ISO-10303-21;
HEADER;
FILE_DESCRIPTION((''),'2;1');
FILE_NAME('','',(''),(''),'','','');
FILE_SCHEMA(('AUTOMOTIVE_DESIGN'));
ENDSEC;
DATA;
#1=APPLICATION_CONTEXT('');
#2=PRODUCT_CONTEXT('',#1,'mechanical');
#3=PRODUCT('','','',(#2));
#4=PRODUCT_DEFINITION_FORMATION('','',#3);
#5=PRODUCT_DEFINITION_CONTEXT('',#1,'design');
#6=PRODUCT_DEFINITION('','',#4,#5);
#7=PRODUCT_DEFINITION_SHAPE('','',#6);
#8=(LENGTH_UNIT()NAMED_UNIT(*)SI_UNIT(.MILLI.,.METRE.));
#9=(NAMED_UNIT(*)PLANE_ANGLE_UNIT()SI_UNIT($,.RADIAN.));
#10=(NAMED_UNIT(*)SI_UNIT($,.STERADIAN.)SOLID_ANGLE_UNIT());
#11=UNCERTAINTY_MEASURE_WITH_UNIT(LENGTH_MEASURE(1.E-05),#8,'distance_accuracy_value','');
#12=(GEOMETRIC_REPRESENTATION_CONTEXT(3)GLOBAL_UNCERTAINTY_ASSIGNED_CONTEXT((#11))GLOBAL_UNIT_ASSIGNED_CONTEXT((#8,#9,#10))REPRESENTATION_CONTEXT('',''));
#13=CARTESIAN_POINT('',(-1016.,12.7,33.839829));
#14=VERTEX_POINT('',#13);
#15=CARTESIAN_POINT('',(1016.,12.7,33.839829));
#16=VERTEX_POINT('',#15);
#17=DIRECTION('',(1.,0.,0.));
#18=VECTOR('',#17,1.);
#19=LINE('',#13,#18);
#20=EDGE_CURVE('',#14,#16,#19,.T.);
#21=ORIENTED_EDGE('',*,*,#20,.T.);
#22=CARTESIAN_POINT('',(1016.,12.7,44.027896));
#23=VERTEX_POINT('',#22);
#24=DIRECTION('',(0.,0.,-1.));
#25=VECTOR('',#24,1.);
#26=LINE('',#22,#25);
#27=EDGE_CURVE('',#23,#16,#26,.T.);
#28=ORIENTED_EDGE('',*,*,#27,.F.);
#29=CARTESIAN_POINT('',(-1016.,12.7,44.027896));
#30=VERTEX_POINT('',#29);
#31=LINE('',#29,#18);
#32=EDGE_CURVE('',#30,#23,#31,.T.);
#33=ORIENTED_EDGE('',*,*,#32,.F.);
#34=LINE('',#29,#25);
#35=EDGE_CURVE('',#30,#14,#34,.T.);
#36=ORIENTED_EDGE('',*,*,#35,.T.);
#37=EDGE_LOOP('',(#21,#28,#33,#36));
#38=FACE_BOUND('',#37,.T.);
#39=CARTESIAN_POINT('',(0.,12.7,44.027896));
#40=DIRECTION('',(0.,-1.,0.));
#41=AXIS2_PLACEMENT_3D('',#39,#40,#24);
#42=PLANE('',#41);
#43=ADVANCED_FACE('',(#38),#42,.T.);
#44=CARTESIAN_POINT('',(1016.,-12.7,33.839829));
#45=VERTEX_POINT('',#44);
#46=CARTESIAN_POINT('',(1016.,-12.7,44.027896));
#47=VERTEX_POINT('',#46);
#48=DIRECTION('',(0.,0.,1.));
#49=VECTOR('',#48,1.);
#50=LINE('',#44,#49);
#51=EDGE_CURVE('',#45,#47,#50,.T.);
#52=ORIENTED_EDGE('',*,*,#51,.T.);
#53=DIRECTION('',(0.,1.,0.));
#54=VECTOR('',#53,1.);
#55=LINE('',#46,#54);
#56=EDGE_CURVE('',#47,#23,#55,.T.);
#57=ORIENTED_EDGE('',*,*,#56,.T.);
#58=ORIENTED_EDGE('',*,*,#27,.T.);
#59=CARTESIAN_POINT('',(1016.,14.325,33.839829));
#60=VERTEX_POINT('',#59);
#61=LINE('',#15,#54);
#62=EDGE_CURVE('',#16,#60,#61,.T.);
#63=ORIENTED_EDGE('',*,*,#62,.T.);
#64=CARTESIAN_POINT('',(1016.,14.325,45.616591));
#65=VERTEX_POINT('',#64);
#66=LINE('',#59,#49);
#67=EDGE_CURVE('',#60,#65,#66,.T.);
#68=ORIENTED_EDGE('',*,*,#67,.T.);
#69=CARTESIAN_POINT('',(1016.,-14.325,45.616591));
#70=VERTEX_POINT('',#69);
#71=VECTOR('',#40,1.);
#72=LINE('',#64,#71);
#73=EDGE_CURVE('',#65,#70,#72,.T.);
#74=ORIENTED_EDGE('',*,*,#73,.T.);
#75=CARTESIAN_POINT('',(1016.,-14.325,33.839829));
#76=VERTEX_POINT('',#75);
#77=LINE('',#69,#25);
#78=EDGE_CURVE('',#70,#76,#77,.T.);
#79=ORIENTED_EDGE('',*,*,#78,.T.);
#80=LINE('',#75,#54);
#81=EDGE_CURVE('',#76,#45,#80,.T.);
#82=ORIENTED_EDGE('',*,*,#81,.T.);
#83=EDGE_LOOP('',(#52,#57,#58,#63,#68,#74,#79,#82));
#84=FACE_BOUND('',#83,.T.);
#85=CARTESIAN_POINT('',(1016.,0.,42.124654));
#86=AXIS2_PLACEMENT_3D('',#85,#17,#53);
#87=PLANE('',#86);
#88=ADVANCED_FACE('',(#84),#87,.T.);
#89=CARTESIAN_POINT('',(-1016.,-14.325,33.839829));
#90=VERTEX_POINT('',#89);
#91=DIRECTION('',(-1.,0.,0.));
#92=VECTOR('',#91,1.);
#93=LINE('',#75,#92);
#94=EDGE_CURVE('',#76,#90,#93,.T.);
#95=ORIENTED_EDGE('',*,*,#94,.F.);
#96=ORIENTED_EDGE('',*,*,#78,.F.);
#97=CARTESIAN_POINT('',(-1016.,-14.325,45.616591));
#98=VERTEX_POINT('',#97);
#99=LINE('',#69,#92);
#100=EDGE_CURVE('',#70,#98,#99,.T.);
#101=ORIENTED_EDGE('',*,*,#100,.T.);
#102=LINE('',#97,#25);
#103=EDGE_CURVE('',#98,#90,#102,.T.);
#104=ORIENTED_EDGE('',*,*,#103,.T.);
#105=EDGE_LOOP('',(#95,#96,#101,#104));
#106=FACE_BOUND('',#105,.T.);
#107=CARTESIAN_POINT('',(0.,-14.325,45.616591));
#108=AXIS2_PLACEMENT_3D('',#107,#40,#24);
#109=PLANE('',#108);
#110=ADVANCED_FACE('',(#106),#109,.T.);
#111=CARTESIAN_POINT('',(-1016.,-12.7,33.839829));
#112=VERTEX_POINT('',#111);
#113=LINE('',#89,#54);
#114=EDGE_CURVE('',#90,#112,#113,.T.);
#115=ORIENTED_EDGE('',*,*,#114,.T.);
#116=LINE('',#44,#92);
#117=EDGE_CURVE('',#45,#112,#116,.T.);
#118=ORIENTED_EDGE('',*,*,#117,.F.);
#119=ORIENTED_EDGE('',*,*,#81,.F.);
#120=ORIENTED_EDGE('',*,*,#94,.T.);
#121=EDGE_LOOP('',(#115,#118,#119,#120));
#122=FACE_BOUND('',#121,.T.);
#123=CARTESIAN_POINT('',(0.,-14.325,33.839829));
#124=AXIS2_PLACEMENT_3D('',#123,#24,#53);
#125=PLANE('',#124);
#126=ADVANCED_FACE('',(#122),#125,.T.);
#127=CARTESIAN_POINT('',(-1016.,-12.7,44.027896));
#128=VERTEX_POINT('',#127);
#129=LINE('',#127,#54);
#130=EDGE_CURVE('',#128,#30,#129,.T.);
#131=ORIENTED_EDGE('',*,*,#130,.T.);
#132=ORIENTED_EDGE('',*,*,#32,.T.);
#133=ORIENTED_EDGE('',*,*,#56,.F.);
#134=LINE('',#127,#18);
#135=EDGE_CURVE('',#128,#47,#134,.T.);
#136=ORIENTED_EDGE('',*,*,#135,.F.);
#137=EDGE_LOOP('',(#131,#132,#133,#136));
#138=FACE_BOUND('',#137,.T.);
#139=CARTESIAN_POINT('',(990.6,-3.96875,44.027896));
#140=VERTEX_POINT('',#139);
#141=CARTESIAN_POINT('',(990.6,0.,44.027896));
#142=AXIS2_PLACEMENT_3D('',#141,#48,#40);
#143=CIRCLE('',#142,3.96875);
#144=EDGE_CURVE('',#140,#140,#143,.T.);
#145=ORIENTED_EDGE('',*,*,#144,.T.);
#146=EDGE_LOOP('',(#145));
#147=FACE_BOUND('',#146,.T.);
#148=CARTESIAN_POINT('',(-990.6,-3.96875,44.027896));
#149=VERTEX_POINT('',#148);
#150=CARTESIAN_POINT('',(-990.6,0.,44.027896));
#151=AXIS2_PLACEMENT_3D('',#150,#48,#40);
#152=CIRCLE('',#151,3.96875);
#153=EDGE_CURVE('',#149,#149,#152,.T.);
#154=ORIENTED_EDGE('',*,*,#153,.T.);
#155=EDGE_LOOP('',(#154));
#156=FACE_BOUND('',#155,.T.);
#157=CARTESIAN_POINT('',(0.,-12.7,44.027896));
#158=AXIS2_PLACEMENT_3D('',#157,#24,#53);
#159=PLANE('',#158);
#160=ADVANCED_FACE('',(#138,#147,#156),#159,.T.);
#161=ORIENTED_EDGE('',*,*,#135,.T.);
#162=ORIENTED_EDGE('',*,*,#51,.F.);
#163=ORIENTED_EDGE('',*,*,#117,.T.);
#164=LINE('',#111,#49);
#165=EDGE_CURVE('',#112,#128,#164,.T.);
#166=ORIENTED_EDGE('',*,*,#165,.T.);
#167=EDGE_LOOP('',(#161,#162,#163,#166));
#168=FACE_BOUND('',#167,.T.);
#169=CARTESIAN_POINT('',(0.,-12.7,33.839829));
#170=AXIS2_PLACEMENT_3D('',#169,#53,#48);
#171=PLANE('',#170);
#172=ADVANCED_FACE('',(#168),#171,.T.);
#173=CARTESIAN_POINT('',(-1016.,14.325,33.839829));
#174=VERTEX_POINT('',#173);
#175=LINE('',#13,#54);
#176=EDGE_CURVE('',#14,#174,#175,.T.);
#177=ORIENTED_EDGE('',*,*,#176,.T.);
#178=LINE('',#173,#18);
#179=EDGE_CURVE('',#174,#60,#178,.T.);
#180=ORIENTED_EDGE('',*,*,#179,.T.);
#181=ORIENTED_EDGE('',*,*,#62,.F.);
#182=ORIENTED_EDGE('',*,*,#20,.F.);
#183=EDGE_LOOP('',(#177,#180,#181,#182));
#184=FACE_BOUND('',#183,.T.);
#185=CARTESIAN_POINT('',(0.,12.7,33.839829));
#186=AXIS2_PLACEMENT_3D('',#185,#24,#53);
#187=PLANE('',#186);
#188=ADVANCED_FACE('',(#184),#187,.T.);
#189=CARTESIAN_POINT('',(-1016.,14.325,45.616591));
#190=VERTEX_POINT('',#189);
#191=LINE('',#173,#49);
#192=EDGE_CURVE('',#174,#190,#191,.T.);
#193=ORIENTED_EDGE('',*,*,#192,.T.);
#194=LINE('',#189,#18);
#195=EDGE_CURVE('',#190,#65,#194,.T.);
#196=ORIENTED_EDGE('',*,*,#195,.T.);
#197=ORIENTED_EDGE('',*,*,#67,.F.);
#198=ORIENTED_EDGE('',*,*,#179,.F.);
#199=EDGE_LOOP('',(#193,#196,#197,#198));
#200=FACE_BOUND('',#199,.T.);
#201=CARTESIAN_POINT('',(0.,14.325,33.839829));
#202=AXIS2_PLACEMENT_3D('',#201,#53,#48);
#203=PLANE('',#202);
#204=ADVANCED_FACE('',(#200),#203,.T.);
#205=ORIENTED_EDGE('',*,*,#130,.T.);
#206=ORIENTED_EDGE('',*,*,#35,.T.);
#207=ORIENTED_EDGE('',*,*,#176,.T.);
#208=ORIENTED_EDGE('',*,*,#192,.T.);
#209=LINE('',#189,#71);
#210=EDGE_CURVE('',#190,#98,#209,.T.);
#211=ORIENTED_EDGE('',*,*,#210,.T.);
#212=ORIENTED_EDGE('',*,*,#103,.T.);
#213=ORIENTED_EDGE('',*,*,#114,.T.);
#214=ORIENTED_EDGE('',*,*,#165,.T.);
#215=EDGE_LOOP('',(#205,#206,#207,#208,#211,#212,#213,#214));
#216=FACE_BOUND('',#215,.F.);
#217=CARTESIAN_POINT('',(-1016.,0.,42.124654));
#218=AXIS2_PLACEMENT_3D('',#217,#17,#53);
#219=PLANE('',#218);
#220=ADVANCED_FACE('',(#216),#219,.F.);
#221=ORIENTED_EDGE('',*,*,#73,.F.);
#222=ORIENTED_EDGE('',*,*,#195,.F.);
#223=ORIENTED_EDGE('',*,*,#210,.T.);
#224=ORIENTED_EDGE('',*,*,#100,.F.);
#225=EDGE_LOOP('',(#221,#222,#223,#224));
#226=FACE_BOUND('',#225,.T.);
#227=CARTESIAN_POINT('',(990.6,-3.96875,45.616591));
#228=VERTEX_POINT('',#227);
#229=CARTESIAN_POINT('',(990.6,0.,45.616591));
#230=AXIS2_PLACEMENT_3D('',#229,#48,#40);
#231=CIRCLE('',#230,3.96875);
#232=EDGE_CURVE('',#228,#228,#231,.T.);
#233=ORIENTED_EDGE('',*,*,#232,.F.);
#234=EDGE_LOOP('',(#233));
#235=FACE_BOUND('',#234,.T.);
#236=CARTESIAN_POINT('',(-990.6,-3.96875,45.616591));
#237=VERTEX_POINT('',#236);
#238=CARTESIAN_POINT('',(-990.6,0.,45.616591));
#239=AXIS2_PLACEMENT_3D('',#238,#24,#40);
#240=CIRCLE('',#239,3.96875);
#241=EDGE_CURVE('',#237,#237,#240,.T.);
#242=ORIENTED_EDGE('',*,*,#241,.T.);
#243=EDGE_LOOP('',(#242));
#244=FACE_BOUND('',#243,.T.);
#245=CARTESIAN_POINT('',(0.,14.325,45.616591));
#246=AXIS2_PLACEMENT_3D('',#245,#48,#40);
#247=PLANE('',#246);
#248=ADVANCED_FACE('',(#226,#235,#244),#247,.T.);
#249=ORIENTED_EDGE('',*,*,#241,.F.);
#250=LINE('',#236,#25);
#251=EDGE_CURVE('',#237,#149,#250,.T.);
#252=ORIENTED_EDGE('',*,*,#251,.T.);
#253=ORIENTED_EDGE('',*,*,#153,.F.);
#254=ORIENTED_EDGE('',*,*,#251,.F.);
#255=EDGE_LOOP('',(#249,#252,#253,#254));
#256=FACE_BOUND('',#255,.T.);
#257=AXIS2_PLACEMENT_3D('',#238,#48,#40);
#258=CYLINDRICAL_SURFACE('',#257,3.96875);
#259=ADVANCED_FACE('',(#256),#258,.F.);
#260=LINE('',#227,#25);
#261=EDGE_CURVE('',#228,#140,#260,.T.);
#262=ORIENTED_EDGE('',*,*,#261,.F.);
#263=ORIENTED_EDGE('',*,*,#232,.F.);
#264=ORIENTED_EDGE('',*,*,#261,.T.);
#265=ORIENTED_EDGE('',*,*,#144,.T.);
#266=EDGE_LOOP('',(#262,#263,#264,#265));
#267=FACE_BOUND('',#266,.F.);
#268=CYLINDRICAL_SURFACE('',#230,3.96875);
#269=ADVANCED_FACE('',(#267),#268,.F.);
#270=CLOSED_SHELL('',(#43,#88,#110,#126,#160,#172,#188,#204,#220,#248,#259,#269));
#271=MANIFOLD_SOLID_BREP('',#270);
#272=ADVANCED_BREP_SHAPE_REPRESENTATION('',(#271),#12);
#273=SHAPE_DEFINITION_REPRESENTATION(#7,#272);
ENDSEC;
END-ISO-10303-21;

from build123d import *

# Parameters (mm, degrees)
PAD001_DEPTH = 1016
SKETCH_R     = 3.96875
POCKET_DEPTH = 6.35


with BuildPart() as part:
    # Sketch004 → Pad001 (new body, symmetric)
    with BuildSketch(Plane.YZ):
        Polygon((-12.7, 14.789829), (-12.7, 24.977896), (12.7, 24.977896), (12.7, 14.789829), (14.325, 14.789829), (14.325, 26.566591), (-14.325, 26.566591), (-14.325, 14.789829), align=None)
    extrude(amount=PAD001_DEPTH, both=True)

    # Sketch (on Face6 of Pad001) → Pocket (cut)
    with BuildSketch(Plane(origin=(0, 0, 26.566591), x_dir=(0, -1, 0), z_dir=(0, 0, 1))):
        with Locations((0, 990.6)):
            Circle(SKETCH_R)
    pocket = extrude(amount=-POCKET_DEPTH, mode=Mode.SUBTRACT)

    # Mirrored: Pocket across Sketch H_Axis
    add(pocket.mirror(Plane(origin=(0, 0, 26.566591), x_dir=(0, 0, 1), z_dir=(1, 0, 0))), mode=Mode.SUBTRACT)


with BuildPart() as part_1:
    # Body001 placement: moved
    add(part.part.moved(Location((0, 0, 19.05))))


solid = part_1.part
